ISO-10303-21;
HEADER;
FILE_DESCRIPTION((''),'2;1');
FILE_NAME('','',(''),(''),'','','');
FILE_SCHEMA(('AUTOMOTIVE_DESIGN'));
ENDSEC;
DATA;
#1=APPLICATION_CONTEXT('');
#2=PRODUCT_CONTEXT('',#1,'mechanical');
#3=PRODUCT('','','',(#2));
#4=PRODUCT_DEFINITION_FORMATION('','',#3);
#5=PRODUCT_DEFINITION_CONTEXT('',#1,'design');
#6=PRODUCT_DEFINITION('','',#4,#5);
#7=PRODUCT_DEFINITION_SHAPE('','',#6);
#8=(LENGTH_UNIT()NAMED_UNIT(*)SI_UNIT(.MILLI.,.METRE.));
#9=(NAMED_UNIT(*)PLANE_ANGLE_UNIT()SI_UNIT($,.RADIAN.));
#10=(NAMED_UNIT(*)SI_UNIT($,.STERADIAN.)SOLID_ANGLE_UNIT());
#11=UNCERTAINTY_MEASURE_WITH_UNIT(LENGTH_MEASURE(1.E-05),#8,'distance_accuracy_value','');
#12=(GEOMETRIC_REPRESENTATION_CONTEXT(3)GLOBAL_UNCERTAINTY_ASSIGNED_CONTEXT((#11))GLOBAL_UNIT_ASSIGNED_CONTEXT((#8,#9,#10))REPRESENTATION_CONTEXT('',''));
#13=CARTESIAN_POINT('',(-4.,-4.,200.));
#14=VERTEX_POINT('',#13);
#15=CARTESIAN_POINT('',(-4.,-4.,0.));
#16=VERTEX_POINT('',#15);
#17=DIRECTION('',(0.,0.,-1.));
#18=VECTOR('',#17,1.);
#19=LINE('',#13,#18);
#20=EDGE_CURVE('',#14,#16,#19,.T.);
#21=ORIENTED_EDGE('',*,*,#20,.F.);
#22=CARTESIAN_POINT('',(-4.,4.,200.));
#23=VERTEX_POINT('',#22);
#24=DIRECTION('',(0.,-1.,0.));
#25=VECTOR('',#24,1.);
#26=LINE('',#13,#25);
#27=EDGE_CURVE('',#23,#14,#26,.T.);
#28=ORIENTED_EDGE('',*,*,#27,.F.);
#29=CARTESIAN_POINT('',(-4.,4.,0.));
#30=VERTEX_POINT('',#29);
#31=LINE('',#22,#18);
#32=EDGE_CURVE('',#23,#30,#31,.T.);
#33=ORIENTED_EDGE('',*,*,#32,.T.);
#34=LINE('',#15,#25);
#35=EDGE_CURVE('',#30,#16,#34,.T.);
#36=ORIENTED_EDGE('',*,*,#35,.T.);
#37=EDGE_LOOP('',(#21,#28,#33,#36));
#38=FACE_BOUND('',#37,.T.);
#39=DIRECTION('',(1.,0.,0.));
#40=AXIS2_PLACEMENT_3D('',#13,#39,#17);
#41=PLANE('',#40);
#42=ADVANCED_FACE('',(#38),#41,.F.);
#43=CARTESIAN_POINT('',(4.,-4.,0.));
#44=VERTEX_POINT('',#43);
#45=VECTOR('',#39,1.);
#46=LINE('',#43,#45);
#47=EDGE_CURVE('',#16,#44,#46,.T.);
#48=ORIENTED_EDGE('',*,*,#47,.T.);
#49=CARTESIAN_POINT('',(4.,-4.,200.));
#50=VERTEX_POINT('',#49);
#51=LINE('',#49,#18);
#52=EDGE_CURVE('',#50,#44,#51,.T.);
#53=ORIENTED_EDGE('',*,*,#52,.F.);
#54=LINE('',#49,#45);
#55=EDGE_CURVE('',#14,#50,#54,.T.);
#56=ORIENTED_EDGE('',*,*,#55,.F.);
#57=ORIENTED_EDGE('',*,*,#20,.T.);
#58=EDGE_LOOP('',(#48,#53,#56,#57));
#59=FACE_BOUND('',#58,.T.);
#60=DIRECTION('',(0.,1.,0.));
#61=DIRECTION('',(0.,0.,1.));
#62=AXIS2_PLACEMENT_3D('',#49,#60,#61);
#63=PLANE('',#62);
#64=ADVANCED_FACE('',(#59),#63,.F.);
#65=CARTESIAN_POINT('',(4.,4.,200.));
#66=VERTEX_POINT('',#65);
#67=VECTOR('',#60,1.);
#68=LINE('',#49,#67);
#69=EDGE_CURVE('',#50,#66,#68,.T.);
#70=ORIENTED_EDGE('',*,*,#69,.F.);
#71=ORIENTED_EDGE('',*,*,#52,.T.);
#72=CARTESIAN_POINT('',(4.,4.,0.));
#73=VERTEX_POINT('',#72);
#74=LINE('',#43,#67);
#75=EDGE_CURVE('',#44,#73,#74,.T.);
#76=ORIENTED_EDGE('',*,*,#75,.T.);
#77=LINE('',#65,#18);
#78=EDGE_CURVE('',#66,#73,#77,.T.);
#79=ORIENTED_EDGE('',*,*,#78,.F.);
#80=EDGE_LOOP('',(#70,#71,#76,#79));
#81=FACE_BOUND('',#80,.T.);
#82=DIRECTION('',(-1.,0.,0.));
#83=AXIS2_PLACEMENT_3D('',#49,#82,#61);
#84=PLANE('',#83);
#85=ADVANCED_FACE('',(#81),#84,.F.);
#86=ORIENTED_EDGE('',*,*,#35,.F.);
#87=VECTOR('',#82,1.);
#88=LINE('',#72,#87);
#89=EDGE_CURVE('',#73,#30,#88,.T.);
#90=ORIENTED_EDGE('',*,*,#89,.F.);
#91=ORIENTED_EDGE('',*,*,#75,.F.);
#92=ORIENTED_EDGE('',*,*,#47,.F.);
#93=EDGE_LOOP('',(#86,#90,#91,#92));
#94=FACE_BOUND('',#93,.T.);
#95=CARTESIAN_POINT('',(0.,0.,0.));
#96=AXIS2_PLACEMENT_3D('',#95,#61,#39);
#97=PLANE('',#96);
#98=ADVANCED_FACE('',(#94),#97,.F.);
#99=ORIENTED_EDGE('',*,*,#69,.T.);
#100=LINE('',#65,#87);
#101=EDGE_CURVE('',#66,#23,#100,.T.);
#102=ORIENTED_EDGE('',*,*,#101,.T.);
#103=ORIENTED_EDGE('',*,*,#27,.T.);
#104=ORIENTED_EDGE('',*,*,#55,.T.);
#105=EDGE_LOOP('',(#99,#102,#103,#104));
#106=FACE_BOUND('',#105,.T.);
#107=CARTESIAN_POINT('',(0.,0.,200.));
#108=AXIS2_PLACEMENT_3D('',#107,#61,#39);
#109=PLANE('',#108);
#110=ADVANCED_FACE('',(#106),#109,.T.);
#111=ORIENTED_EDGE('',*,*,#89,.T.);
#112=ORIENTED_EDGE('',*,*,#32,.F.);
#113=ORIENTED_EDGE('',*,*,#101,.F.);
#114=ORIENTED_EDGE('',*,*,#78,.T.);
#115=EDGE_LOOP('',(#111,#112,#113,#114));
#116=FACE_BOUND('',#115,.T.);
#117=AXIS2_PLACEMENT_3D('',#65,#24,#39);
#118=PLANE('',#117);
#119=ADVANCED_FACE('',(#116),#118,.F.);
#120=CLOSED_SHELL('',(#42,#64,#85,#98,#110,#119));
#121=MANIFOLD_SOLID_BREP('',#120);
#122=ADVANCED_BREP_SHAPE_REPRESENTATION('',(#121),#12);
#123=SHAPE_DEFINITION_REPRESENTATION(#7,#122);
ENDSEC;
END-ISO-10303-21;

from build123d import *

# Parameters (mm, degrees)
SKETCH_1_W      = 8
SKETCH_1_H      = 8
EXTRUDE_1_DEPTH = 200


with BuildPart() as part:
    # 草图1 → 凸台-拉伸1 (new body)
    with BuildSketch(Plane.XY):
        Rectangle(SKETCH_1_W, SKETCH_1_H)
    extrude(amount=EXTRUDE_1_DEPTH)


solid = part.part
